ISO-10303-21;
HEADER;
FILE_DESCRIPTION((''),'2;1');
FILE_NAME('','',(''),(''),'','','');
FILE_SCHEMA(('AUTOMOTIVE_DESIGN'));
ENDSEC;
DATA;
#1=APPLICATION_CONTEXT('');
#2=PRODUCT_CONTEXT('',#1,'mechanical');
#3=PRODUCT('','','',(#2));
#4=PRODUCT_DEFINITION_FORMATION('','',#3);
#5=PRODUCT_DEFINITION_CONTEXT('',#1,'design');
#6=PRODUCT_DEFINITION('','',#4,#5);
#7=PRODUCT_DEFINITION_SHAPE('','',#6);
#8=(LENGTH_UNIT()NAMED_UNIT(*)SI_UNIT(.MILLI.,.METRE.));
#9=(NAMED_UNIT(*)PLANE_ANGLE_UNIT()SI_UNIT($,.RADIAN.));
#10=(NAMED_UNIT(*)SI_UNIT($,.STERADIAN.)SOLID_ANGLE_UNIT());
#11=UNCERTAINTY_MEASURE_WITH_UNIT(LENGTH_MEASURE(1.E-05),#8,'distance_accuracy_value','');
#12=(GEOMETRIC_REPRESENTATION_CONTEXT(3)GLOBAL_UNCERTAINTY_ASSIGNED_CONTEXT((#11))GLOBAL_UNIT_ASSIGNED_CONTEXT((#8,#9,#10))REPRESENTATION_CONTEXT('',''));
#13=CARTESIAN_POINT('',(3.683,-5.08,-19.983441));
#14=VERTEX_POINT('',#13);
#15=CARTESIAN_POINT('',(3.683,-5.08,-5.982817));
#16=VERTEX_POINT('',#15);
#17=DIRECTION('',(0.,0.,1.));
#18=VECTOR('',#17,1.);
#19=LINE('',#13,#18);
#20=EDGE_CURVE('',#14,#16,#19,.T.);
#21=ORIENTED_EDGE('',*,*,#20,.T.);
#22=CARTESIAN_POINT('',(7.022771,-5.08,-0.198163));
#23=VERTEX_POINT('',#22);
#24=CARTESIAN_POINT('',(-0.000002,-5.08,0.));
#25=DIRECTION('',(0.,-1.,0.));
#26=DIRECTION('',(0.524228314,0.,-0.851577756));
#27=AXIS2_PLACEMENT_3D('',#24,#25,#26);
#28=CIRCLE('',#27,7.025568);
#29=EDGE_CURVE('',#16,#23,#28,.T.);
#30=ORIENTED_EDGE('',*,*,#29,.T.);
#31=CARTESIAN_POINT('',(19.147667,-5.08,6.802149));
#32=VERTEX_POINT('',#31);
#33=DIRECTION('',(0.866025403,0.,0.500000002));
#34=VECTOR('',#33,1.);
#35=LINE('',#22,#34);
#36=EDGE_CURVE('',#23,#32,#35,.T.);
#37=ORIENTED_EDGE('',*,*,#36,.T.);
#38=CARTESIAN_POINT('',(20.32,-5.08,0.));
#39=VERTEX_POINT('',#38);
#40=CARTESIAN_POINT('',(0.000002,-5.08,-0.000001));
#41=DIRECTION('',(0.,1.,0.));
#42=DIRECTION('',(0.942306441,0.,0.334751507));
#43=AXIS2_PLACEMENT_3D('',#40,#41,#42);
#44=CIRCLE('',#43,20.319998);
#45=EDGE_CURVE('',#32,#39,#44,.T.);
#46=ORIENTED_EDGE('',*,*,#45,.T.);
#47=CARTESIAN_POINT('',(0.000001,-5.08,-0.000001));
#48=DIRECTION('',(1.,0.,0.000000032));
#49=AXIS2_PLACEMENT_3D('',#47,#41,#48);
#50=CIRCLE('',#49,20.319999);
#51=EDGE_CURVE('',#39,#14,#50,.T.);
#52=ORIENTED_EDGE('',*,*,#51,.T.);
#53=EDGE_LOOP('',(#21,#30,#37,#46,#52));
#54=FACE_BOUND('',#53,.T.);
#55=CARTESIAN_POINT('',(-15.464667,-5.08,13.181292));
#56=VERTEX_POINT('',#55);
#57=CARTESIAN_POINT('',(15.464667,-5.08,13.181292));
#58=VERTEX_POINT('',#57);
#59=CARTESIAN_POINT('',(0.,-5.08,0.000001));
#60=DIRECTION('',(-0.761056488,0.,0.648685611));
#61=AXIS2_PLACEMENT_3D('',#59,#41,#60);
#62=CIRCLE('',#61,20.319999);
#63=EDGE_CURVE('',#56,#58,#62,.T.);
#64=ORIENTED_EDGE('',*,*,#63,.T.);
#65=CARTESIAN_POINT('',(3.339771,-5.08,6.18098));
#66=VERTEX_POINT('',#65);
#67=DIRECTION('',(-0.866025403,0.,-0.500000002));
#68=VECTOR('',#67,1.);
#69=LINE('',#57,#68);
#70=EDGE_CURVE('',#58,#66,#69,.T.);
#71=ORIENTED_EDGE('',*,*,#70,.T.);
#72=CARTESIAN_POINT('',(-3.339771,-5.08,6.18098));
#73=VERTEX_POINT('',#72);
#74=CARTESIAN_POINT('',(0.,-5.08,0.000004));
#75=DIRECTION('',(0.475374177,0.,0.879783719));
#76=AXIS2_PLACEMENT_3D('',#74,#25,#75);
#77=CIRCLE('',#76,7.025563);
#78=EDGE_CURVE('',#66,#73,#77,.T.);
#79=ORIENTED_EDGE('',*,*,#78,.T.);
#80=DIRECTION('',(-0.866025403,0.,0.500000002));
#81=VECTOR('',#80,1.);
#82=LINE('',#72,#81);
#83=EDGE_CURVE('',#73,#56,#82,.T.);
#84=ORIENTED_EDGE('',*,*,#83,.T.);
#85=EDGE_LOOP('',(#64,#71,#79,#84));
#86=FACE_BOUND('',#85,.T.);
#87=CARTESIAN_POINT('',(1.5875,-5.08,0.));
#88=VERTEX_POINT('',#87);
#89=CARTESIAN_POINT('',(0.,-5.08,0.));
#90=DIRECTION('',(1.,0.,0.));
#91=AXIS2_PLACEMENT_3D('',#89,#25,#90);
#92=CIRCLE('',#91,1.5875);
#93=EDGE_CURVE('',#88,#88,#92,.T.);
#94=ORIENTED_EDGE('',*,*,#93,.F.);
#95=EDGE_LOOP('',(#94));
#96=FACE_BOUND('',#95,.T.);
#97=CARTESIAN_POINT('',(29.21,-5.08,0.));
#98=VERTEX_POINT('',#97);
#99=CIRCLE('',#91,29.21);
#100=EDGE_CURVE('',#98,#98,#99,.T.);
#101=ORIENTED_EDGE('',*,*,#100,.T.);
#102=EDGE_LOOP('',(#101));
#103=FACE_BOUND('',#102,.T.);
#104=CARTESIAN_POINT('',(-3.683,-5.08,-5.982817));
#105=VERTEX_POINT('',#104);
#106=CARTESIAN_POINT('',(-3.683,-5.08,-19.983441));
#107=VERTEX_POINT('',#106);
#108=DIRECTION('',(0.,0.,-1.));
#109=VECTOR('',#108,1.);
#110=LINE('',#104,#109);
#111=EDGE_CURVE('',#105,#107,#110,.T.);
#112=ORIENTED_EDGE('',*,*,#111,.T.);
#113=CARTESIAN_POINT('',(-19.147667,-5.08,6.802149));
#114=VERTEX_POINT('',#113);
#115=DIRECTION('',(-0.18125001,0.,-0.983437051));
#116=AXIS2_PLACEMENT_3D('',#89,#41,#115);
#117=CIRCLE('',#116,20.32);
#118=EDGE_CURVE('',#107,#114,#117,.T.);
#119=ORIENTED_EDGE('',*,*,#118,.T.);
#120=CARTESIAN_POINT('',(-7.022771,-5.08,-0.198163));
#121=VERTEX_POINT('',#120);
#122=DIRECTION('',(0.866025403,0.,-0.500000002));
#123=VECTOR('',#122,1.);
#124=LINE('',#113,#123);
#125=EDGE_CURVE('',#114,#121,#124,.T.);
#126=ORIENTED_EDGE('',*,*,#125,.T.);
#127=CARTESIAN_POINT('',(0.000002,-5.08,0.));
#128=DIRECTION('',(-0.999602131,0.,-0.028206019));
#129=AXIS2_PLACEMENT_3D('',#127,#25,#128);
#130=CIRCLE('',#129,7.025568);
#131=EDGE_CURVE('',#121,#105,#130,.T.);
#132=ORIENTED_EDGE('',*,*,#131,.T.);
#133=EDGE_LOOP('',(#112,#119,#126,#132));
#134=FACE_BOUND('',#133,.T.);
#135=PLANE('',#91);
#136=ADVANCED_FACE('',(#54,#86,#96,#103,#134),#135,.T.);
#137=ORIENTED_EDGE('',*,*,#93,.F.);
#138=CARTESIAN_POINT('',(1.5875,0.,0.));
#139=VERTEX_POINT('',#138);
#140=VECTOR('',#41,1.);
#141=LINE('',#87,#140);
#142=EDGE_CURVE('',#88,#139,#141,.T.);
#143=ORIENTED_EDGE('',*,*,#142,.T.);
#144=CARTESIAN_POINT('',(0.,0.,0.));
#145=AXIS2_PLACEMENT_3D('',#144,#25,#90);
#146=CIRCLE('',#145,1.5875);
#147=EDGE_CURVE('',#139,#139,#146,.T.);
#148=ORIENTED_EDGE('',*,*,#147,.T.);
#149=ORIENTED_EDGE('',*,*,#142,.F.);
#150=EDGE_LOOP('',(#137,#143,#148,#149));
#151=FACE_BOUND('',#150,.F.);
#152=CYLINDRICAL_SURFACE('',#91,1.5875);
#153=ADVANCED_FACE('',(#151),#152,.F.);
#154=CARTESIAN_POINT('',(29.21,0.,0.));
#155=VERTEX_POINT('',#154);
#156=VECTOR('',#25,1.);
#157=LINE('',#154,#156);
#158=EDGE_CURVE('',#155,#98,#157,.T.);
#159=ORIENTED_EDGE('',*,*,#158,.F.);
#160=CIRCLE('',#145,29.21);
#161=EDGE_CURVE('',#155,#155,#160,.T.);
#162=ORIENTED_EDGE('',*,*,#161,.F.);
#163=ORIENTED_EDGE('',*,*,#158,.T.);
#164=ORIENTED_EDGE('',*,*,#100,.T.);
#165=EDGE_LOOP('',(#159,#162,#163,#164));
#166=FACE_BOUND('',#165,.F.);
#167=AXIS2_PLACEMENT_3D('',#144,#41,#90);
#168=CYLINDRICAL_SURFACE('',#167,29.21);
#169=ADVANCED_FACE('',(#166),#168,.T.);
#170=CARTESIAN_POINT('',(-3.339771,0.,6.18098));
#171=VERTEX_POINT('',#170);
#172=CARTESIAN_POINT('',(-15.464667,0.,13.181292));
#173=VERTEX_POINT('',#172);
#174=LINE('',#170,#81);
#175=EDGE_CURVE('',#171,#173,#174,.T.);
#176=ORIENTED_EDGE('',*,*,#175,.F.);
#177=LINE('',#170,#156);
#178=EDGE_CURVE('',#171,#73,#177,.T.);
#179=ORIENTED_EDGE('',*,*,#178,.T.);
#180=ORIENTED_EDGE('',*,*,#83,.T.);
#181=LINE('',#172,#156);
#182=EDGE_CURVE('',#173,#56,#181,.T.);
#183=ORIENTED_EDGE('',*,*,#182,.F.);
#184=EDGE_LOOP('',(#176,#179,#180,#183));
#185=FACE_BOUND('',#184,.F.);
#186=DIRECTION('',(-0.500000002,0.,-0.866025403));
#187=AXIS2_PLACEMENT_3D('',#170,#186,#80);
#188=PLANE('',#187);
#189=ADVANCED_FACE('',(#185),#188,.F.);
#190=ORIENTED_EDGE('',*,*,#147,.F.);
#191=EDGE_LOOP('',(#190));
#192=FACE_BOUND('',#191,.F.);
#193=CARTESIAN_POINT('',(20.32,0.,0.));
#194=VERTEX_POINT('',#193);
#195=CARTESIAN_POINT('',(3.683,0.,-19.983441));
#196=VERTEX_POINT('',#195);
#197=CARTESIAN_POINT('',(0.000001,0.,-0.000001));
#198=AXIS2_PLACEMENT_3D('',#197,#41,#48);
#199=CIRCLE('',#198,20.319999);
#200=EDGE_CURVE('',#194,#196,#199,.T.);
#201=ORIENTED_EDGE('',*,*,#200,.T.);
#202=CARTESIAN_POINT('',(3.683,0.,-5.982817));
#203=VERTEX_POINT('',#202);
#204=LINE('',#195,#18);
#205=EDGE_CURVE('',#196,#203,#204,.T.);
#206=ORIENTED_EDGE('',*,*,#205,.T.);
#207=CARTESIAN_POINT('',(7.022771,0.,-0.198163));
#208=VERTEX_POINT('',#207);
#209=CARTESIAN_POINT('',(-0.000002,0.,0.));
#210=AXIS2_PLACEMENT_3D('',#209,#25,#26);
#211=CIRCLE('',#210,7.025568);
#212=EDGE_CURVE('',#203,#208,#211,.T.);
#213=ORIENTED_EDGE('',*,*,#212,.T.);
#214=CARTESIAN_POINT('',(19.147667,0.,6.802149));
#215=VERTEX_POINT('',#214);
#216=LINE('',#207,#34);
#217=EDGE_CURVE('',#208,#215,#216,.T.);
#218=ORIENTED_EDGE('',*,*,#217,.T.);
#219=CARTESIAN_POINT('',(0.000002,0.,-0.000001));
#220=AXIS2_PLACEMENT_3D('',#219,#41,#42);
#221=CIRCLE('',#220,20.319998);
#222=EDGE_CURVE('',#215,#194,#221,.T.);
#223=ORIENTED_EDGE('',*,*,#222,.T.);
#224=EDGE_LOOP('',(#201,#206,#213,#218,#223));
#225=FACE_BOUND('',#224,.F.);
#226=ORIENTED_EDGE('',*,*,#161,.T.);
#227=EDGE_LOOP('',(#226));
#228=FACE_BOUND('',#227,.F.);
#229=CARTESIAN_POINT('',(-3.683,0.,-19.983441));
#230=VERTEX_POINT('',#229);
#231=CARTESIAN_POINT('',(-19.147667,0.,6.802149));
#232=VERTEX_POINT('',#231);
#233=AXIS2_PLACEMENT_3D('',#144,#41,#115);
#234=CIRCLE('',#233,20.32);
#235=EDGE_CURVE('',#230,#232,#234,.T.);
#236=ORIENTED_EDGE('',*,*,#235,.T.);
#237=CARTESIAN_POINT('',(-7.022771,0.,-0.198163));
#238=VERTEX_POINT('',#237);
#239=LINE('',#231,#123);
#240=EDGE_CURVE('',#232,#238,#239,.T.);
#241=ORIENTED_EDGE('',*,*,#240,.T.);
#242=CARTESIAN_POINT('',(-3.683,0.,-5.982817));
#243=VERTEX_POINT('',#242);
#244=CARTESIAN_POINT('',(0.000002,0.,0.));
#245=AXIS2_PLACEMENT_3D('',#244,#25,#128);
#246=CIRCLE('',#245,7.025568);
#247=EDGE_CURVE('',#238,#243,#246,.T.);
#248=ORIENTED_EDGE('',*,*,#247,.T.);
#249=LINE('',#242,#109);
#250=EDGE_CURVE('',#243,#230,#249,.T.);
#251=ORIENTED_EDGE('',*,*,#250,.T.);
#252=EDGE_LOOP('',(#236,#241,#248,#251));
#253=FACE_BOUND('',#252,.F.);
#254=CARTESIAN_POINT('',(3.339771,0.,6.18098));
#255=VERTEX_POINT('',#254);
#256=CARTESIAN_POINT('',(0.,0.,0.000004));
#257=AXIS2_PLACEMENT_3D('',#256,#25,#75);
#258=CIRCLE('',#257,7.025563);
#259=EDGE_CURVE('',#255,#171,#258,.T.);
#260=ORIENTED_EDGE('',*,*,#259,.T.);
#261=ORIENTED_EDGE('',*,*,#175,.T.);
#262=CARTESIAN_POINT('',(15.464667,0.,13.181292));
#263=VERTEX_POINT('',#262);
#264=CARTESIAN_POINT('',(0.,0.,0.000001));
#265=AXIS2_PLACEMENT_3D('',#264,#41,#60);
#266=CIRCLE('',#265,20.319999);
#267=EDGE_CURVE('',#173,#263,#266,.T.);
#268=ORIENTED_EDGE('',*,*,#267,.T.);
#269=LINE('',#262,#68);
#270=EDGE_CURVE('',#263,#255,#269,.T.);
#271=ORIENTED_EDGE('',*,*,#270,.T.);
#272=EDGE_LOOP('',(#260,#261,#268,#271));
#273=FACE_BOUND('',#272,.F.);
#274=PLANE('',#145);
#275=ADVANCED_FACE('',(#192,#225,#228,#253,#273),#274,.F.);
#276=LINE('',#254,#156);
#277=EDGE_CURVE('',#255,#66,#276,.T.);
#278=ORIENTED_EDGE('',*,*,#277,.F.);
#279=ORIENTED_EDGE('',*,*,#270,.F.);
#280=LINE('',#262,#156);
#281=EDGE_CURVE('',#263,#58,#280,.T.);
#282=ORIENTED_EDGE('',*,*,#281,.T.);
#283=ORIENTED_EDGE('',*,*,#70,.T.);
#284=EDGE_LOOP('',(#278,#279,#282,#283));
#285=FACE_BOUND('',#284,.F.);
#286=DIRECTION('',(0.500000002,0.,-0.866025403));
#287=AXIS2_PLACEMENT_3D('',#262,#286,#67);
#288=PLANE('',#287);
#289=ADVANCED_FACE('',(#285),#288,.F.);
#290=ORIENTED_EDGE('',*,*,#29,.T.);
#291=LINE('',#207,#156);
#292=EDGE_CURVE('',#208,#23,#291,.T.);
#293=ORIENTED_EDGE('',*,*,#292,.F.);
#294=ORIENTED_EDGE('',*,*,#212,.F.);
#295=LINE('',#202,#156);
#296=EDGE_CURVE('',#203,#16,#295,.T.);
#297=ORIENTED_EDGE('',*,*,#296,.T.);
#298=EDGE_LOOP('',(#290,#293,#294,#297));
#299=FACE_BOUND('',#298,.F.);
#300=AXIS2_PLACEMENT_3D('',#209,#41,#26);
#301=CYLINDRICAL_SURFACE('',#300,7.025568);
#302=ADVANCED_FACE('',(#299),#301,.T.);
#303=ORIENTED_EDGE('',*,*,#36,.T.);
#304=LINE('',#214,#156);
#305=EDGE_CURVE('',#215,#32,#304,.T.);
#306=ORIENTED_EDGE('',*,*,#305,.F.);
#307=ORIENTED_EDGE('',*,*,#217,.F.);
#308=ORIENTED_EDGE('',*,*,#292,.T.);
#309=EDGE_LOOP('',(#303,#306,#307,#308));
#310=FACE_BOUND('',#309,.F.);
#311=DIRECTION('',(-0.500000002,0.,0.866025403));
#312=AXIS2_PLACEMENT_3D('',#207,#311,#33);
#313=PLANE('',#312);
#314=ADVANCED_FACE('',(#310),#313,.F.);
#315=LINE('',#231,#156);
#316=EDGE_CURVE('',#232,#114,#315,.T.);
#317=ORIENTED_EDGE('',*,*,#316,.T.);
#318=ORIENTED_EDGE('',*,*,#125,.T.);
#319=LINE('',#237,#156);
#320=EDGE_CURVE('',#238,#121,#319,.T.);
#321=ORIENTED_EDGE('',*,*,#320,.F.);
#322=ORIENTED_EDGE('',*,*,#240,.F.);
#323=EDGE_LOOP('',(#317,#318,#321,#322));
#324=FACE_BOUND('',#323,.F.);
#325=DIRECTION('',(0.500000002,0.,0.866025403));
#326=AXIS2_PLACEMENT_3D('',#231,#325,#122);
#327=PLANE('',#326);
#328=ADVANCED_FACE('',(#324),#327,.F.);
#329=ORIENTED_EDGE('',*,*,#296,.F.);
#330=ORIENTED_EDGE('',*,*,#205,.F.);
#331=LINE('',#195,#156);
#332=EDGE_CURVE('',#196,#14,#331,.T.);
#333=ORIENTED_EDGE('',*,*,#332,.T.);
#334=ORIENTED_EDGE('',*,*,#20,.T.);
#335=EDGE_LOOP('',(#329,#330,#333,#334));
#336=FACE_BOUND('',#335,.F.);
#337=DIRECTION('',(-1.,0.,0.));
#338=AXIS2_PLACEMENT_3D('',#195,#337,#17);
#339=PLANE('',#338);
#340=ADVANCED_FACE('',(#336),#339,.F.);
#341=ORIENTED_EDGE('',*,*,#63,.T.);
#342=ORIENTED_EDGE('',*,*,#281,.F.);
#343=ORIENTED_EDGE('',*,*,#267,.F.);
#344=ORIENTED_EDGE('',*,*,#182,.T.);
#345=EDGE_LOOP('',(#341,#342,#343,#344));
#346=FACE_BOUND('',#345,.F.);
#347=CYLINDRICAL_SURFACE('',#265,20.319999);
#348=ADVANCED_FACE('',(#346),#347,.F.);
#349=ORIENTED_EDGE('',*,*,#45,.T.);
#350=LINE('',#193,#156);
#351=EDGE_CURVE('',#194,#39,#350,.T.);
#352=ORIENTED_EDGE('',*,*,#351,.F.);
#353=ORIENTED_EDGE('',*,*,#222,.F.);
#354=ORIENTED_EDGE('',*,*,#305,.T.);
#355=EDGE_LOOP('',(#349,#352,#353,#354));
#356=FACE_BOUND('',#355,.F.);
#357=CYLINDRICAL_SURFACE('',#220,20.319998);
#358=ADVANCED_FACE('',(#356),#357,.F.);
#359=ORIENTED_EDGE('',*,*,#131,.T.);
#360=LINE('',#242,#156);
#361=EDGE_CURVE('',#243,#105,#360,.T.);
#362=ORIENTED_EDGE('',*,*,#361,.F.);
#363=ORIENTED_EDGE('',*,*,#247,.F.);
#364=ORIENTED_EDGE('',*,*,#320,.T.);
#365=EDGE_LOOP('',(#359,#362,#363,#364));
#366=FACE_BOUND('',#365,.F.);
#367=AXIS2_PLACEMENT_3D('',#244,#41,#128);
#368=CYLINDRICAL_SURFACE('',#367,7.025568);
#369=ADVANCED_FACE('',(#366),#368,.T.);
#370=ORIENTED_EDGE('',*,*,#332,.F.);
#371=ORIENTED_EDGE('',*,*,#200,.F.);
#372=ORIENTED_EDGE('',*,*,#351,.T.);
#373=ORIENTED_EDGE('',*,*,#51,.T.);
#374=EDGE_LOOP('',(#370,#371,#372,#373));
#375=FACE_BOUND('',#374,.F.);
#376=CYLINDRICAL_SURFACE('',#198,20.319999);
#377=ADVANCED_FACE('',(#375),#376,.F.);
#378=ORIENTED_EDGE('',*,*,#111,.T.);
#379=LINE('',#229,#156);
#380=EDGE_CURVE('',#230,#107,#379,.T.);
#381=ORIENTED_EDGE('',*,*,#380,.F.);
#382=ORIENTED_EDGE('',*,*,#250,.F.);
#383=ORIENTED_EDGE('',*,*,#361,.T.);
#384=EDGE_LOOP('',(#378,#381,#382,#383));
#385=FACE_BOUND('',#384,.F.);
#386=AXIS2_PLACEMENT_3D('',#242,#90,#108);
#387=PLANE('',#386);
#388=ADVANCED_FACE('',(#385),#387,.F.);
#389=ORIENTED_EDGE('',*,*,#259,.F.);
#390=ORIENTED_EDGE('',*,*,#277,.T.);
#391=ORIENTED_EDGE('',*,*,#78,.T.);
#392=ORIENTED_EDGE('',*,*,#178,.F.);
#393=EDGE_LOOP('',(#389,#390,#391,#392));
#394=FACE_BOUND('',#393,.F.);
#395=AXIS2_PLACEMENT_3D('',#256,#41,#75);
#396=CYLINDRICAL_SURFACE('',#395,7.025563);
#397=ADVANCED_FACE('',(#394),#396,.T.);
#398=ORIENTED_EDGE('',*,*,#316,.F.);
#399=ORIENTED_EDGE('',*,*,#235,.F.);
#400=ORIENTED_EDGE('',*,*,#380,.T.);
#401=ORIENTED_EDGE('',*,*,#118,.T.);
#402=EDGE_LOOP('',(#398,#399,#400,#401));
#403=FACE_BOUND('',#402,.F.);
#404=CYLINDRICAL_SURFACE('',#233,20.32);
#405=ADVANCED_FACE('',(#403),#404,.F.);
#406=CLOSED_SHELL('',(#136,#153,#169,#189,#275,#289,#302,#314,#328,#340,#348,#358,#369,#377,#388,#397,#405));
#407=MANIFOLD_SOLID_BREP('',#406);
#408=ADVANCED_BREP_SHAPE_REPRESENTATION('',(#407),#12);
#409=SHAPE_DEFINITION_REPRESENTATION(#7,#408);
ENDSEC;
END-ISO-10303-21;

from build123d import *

# Parameters (mm, degrees)
F0_R     = 29.21
F1_DEPTH = 5.08
F2_R     = 1.5875
F3_DEPTH = 25.4


with BuildPart() as f1:
    # F0 (on Front) → F1 (new body)
    with BuildSketch(Plane.XZ):
        Circle(F0_R)
        with BuildLine():
            ThreePointArc((19.147667, 6.802149), (20.024772, 3.451217), (20.32, 0))
            ThreePointArc((20.32, 0), (15.616353, -13.001228), (3.683, -19.983441))
            ThreePointArc((3.683, -19.983441), (1.849173, -20.235685), (0, -20.32))
            ThreePointArc((0, -20.32), (-1.849173, -20.235685), (-3.683, -19.983441))
            ThreePointArc((-3.683, -19.983441), (-17.597636, -10.16), (-19.147667, 6.802149))
            ThreePointArc((-19.147667, 6.802149), (-17.597636, 10.16), (-15.464667, 13.181292))
            ThreePointArc((-15.464667, 13.181292), (0, 20.32), (15.464667, 13.181292))
            ThreePointArc((15.464667, 13.181292), (17.597636, 10.16), (19.147667, 6.802149))
        make_face(mode=Mode.SUBTRACT)
        with BuildLine():
            Line((-3.339771, 6.18098), (-15.464667, 13.181292))
            ThreePointArc((-15.464667, 13.181292), (-17.597636, 10.16), (-19.147667, 6.802149))
            Line((-19.147667, 6.802149), (-7.022771, -0.198163))
            ThreePointArc((-7.022771, -0.198163), (-6.084319, 3.512783), (-3.339771, 6.18098))
        make_face()
        with BuildLine():
            ThreePointArc((3.683, -5.982817), (6.084319, -3.512783), (7.022771, -0.198163))
            ThreePointArc((7.022771, -0.198163), (7.024868, -0.099091), (7.025567, 0))
            ThreePointArc((7.025567, 0), (6.034168, 3.59825), (3.339771, 6.18098))
            ThreePointArc((3.339771, 6.18098), (0, 7.025567), (-3.339771, 6.18098))
            ThreePointArc((-3.339771, 6.18098), (-6.084319, 3.512783), (-7.022771, -0.198163))
            ThreePointArc((-7.022771, -0.198163), (-6.084319, -3.512783), (-3.683, -5.982817))
            ThreePointArc((-3.683, -5.982817), (-1.913885, -6.759854), (0, -7.025567))
            ThreePointArc((0, -7.025567), (1.913885, -6.759854), (3.683, -5.982817))
        make_face()
        with BuildLine():
            ThreePointArc((0, -20.32), (1.849173, -20.235685), (3.683, -19.983441))
            Line((3.683, -19.983441), (3.683, -5.982817))
            ThreePointArc((3.683, -5.982817), (1.913885, -6.759854), (0, -7.025567))
            Line((0, -7.025567), (0, -20.32))
        make_face()
        with BuildLine():
            Line((7.022771, -0.198163), (19.147667, 6.802149))
            ThreePointArc((19.147667, 6.802149), (17.597636, 10.16), (15.464667, 13.181292))
            Line((15.464667, 13.181292), (3.339771, 6.18098))
            ThreePointArc((3.339771, 6.18098), (6.034168, 3.59825), (7.025567, 0))
            ThreePointArc((7.025567, 0), (7.024868, -0.099091), (7.022771, -0.198163))
        make_face()
        with BuildLine():
            ThreePointArc((-3.683, -19.983441), (-1.849173, -20.235685), (0, -20.32))
            Line((0, -20.32), (0, -7.025567))
            ThreePointArc((0, -7.025567), (-1.913885, -6.759854), (-3.683, -5.982817))
            Line((-3.683, -5.982817), (-3.683, -19.983441))
        make_face()
    extrude(amount=F1_DEPTH)

    # F2 (on face) → F3 (cut)
    with BuildSketch(Plane.XZ.offset(5.08)):
        Circle(F2_R)
    extrude(amount=-F3_DEPTH, mode=Mode.SUBTRACT)


solid = f1.part
